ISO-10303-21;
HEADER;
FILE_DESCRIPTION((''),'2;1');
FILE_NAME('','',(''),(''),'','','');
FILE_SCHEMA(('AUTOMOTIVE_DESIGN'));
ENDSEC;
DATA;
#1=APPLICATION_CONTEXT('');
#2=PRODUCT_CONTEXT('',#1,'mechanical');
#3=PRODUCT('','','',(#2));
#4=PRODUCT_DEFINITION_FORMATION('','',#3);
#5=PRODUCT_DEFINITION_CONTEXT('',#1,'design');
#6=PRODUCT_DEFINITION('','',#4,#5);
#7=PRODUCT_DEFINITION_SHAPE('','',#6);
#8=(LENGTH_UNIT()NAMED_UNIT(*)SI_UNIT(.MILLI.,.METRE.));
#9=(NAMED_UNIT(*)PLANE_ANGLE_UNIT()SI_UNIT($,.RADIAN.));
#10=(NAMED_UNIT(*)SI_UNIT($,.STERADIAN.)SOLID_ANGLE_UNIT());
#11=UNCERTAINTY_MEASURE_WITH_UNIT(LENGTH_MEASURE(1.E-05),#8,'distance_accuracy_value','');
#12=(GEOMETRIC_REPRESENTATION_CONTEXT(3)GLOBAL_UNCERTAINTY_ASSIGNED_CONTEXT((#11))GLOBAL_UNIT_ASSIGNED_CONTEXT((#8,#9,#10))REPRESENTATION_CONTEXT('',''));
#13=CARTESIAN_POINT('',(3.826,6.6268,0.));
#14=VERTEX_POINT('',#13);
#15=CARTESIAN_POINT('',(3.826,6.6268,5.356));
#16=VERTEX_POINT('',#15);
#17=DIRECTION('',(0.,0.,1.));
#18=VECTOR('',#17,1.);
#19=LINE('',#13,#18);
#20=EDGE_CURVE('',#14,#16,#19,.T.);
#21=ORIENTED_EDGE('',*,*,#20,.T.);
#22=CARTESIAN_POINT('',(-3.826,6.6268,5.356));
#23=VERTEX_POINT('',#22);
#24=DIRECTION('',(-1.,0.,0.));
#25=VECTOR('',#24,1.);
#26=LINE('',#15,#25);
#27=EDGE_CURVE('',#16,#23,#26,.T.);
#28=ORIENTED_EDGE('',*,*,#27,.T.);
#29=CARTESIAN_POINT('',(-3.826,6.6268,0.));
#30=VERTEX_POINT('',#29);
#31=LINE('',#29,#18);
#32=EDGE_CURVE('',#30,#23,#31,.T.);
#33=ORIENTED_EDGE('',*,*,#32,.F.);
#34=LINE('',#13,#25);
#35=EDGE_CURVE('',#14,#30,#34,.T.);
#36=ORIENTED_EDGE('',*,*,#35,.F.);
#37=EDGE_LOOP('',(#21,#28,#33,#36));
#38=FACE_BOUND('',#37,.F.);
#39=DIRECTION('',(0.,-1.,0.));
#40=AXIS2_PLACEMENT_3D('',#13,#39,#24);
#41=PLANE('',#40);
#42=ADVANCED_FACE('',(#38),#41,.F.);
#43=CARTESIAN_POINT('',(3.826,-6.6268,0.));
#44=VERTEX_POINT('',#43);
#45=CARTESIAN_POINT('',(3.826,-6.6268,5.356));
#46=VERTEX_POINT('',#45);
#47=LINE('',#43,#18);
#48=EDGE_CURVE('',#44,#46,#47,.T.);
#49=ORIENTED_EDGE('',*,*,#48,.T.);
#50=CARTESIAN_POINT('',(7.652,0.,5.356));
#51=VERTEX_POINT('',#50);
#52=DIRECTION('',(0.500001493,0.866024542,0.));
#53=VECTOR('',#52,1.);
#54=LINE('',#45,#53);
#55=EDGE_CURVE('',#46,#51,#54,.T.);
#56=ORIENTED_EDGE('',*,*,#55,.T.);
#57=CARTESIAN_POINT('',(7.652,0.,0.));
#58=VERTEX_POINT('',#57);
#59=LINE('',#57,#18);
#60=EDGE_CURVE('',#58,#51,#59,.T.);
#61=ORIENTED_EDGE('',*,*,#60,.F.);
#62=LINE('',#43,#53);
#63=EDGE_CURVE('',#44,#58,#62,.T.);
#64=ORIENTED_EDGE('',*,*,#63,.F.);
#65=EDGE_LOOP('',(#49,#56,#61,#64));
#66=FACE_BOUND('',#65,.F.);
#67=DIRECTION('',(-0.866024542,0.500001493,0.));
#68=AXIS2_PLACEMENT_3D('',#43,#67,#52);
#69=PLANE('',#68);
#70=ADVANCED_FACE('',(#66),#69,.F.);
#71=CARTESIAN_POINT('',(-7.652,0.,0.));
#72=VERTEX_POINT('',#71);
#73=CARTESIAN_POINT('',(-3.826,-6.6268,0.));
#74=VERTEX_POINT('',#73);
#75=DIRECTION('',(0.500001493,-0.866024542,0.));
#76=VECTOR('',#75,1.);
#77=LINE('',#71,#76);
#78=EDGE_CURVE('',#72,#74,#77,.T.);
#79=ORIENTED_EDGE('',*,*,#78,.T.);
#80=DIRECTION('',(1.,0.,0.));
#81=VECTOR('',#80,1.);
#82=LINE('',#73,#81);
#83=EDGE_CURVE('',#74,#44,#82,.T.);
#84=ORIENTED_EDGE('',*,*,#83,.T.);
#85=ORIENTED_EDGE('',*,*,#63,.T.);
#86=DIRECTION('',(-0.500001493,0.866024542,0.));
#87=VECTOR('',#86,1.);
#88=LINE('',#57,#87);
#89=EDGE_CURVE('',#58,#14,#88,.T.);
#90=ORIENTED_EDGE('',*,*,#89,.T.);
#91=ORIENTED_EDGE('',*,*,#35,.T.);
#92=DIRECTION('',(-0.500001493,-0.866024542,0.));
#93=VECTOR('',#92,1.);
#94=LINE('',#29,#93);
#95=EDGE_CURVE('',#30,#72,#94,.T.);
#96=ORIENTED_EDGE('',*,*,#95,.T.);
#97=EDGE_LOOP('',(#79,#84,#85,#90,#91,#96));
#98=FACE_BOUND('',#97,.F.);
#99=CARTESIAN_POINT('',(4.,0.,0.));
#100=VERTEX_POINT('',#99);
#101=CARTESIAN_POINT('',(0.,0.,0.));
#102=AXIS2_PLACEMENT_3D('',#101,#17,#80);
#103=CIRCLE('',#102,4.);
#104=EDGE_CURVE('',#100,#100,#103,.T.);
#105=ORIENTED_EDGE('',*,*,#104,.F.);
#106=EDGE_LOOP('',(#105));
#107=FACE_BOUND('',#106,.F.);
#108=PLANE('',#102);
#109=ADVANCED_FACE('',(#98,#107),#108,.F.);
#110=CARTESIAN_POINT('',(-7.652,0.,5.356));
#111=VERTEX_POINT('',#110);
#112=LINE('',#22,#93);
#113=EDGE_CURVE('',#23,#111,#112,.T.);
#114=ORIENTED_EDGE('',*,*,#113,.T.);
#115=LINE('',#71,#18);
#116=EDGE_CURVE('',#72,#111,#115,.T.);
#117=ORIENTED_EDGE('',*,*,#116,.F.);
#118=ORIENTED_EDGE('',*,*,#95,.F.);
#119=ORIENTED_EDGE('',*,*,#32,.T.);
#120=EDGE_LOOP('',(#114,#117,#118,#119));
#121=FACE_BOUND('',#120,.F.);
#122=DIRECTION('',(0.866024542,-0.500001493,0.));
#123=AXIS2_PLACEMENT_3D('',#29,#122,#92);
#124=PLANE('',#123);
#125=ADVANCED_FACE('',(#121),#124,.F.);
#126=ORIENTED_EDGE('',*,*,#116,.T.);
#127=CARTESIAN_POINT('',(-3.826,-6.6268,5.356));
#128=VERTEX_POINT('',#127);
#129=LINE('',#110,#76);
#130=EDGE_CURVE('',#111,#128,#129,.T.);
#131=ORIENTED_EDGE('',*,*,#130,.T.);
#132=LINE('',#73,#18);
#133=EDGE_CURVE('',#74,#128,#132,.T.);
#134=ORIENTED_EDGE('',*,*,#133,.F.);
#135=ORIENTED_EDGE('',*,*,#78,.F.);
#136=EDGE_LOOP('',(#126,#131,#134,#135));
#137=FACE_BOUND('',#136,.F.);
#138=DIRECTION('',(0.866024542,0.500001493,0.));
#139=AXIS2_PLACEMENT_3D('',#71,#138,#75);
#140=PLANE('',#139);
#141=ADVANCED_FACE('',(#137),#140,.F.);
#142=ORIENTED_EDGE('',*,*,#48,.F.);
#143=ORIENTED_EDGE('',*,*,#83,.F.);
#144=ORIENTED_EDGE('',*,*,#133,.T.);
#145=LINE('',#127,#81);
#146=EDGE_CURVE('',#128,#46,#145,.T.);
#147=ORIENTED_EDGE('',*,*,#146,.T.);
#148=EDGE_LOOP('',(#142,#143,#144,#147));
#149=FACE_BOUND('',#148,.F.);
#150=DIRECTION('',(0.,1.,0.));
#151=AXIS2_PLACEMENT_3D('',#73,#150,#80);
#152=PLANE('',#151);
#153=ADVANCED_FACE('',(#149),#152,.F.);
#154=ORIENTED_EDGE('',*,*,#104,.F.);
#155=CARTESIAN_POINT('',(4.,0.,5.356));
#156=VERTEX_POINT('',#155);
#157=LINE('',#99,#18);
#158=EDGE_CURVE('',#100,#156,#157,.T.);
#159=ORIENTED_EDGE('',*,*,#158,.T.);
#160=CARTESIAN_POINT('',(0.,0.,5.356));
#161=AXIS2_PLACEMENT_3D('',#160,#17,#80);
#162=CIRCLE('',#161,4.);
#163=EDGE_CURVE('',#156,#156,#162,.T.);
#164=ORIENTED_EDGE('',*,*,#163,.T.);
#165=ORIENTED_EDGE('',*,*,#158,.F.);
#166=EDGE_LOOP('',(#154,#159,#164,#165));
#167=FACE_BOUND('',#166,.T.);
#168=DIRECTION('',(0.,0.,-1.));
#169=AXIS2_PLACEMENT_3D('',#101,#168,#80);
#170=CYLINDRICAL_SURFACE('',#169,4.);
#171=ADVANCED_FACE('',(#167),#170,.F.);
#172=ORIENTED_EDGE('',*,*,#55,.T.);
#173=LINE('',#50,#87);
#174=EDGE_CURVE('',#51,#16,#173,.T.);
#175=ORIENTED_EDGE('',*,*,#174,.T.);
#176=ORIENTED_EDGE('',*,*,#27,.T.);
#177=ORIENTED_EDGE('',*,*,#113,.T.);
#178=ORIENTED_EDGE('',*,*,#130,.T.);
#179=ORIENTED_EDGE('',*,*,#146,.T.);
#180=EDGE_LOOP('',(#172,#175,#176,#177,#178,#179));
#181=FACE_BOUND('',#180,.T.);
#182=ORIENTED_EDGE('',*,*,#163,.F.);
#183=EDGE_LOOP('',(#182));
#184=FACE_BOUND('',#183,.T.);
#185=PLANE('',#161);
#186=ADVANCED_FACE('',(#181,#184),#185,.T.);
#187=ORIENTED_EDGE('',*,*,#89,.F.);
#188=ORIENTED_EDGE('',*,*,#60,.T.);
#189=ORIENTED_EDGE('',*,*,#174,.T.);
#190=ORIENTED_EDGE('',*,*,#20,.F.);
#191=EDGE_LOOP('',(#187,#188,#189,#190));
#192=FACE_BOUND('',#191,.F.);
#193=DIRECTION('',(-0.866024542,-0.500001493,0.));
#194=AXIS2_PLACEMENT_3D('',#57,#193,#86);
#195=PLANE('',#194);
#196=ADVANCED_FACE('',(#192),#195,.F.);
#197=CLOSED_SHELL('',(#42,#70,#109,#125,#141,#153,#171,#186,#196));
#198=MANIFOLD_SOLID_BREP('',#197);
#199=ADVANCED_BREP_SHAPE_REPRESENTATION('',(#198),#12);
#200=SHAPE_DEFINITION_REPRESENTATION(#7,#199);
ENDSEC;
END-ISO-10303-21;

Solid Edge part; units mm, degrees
sketch "Sketch1" plane through (0, 0, 0) normal (0, 0, 1) x (1, 0, 0)
  circle A0 centre (0, 0) radius 4
  line L0 (-3.826, 6.6268) -> (-7.652, 0)
  line L1 (-7.652, 0) -> (-3.826, -6.6268)
  line L2 (-3.826, -6.6268) -> (3.826, -6.6268)
  line L3 (3.826, -6.6268) -> (7.652, 0)
  line L4 (7.652, 0) -> (3.826, 6.6268)
  line L5 (3.826, 6.6268) -> (-3.826, 6.6268)
extrude "Protrusion1" add sketch "Sketch1" along normal blind 5.356
cosmetic_thread "Thread1" size "M8"
properties material "Steel"
